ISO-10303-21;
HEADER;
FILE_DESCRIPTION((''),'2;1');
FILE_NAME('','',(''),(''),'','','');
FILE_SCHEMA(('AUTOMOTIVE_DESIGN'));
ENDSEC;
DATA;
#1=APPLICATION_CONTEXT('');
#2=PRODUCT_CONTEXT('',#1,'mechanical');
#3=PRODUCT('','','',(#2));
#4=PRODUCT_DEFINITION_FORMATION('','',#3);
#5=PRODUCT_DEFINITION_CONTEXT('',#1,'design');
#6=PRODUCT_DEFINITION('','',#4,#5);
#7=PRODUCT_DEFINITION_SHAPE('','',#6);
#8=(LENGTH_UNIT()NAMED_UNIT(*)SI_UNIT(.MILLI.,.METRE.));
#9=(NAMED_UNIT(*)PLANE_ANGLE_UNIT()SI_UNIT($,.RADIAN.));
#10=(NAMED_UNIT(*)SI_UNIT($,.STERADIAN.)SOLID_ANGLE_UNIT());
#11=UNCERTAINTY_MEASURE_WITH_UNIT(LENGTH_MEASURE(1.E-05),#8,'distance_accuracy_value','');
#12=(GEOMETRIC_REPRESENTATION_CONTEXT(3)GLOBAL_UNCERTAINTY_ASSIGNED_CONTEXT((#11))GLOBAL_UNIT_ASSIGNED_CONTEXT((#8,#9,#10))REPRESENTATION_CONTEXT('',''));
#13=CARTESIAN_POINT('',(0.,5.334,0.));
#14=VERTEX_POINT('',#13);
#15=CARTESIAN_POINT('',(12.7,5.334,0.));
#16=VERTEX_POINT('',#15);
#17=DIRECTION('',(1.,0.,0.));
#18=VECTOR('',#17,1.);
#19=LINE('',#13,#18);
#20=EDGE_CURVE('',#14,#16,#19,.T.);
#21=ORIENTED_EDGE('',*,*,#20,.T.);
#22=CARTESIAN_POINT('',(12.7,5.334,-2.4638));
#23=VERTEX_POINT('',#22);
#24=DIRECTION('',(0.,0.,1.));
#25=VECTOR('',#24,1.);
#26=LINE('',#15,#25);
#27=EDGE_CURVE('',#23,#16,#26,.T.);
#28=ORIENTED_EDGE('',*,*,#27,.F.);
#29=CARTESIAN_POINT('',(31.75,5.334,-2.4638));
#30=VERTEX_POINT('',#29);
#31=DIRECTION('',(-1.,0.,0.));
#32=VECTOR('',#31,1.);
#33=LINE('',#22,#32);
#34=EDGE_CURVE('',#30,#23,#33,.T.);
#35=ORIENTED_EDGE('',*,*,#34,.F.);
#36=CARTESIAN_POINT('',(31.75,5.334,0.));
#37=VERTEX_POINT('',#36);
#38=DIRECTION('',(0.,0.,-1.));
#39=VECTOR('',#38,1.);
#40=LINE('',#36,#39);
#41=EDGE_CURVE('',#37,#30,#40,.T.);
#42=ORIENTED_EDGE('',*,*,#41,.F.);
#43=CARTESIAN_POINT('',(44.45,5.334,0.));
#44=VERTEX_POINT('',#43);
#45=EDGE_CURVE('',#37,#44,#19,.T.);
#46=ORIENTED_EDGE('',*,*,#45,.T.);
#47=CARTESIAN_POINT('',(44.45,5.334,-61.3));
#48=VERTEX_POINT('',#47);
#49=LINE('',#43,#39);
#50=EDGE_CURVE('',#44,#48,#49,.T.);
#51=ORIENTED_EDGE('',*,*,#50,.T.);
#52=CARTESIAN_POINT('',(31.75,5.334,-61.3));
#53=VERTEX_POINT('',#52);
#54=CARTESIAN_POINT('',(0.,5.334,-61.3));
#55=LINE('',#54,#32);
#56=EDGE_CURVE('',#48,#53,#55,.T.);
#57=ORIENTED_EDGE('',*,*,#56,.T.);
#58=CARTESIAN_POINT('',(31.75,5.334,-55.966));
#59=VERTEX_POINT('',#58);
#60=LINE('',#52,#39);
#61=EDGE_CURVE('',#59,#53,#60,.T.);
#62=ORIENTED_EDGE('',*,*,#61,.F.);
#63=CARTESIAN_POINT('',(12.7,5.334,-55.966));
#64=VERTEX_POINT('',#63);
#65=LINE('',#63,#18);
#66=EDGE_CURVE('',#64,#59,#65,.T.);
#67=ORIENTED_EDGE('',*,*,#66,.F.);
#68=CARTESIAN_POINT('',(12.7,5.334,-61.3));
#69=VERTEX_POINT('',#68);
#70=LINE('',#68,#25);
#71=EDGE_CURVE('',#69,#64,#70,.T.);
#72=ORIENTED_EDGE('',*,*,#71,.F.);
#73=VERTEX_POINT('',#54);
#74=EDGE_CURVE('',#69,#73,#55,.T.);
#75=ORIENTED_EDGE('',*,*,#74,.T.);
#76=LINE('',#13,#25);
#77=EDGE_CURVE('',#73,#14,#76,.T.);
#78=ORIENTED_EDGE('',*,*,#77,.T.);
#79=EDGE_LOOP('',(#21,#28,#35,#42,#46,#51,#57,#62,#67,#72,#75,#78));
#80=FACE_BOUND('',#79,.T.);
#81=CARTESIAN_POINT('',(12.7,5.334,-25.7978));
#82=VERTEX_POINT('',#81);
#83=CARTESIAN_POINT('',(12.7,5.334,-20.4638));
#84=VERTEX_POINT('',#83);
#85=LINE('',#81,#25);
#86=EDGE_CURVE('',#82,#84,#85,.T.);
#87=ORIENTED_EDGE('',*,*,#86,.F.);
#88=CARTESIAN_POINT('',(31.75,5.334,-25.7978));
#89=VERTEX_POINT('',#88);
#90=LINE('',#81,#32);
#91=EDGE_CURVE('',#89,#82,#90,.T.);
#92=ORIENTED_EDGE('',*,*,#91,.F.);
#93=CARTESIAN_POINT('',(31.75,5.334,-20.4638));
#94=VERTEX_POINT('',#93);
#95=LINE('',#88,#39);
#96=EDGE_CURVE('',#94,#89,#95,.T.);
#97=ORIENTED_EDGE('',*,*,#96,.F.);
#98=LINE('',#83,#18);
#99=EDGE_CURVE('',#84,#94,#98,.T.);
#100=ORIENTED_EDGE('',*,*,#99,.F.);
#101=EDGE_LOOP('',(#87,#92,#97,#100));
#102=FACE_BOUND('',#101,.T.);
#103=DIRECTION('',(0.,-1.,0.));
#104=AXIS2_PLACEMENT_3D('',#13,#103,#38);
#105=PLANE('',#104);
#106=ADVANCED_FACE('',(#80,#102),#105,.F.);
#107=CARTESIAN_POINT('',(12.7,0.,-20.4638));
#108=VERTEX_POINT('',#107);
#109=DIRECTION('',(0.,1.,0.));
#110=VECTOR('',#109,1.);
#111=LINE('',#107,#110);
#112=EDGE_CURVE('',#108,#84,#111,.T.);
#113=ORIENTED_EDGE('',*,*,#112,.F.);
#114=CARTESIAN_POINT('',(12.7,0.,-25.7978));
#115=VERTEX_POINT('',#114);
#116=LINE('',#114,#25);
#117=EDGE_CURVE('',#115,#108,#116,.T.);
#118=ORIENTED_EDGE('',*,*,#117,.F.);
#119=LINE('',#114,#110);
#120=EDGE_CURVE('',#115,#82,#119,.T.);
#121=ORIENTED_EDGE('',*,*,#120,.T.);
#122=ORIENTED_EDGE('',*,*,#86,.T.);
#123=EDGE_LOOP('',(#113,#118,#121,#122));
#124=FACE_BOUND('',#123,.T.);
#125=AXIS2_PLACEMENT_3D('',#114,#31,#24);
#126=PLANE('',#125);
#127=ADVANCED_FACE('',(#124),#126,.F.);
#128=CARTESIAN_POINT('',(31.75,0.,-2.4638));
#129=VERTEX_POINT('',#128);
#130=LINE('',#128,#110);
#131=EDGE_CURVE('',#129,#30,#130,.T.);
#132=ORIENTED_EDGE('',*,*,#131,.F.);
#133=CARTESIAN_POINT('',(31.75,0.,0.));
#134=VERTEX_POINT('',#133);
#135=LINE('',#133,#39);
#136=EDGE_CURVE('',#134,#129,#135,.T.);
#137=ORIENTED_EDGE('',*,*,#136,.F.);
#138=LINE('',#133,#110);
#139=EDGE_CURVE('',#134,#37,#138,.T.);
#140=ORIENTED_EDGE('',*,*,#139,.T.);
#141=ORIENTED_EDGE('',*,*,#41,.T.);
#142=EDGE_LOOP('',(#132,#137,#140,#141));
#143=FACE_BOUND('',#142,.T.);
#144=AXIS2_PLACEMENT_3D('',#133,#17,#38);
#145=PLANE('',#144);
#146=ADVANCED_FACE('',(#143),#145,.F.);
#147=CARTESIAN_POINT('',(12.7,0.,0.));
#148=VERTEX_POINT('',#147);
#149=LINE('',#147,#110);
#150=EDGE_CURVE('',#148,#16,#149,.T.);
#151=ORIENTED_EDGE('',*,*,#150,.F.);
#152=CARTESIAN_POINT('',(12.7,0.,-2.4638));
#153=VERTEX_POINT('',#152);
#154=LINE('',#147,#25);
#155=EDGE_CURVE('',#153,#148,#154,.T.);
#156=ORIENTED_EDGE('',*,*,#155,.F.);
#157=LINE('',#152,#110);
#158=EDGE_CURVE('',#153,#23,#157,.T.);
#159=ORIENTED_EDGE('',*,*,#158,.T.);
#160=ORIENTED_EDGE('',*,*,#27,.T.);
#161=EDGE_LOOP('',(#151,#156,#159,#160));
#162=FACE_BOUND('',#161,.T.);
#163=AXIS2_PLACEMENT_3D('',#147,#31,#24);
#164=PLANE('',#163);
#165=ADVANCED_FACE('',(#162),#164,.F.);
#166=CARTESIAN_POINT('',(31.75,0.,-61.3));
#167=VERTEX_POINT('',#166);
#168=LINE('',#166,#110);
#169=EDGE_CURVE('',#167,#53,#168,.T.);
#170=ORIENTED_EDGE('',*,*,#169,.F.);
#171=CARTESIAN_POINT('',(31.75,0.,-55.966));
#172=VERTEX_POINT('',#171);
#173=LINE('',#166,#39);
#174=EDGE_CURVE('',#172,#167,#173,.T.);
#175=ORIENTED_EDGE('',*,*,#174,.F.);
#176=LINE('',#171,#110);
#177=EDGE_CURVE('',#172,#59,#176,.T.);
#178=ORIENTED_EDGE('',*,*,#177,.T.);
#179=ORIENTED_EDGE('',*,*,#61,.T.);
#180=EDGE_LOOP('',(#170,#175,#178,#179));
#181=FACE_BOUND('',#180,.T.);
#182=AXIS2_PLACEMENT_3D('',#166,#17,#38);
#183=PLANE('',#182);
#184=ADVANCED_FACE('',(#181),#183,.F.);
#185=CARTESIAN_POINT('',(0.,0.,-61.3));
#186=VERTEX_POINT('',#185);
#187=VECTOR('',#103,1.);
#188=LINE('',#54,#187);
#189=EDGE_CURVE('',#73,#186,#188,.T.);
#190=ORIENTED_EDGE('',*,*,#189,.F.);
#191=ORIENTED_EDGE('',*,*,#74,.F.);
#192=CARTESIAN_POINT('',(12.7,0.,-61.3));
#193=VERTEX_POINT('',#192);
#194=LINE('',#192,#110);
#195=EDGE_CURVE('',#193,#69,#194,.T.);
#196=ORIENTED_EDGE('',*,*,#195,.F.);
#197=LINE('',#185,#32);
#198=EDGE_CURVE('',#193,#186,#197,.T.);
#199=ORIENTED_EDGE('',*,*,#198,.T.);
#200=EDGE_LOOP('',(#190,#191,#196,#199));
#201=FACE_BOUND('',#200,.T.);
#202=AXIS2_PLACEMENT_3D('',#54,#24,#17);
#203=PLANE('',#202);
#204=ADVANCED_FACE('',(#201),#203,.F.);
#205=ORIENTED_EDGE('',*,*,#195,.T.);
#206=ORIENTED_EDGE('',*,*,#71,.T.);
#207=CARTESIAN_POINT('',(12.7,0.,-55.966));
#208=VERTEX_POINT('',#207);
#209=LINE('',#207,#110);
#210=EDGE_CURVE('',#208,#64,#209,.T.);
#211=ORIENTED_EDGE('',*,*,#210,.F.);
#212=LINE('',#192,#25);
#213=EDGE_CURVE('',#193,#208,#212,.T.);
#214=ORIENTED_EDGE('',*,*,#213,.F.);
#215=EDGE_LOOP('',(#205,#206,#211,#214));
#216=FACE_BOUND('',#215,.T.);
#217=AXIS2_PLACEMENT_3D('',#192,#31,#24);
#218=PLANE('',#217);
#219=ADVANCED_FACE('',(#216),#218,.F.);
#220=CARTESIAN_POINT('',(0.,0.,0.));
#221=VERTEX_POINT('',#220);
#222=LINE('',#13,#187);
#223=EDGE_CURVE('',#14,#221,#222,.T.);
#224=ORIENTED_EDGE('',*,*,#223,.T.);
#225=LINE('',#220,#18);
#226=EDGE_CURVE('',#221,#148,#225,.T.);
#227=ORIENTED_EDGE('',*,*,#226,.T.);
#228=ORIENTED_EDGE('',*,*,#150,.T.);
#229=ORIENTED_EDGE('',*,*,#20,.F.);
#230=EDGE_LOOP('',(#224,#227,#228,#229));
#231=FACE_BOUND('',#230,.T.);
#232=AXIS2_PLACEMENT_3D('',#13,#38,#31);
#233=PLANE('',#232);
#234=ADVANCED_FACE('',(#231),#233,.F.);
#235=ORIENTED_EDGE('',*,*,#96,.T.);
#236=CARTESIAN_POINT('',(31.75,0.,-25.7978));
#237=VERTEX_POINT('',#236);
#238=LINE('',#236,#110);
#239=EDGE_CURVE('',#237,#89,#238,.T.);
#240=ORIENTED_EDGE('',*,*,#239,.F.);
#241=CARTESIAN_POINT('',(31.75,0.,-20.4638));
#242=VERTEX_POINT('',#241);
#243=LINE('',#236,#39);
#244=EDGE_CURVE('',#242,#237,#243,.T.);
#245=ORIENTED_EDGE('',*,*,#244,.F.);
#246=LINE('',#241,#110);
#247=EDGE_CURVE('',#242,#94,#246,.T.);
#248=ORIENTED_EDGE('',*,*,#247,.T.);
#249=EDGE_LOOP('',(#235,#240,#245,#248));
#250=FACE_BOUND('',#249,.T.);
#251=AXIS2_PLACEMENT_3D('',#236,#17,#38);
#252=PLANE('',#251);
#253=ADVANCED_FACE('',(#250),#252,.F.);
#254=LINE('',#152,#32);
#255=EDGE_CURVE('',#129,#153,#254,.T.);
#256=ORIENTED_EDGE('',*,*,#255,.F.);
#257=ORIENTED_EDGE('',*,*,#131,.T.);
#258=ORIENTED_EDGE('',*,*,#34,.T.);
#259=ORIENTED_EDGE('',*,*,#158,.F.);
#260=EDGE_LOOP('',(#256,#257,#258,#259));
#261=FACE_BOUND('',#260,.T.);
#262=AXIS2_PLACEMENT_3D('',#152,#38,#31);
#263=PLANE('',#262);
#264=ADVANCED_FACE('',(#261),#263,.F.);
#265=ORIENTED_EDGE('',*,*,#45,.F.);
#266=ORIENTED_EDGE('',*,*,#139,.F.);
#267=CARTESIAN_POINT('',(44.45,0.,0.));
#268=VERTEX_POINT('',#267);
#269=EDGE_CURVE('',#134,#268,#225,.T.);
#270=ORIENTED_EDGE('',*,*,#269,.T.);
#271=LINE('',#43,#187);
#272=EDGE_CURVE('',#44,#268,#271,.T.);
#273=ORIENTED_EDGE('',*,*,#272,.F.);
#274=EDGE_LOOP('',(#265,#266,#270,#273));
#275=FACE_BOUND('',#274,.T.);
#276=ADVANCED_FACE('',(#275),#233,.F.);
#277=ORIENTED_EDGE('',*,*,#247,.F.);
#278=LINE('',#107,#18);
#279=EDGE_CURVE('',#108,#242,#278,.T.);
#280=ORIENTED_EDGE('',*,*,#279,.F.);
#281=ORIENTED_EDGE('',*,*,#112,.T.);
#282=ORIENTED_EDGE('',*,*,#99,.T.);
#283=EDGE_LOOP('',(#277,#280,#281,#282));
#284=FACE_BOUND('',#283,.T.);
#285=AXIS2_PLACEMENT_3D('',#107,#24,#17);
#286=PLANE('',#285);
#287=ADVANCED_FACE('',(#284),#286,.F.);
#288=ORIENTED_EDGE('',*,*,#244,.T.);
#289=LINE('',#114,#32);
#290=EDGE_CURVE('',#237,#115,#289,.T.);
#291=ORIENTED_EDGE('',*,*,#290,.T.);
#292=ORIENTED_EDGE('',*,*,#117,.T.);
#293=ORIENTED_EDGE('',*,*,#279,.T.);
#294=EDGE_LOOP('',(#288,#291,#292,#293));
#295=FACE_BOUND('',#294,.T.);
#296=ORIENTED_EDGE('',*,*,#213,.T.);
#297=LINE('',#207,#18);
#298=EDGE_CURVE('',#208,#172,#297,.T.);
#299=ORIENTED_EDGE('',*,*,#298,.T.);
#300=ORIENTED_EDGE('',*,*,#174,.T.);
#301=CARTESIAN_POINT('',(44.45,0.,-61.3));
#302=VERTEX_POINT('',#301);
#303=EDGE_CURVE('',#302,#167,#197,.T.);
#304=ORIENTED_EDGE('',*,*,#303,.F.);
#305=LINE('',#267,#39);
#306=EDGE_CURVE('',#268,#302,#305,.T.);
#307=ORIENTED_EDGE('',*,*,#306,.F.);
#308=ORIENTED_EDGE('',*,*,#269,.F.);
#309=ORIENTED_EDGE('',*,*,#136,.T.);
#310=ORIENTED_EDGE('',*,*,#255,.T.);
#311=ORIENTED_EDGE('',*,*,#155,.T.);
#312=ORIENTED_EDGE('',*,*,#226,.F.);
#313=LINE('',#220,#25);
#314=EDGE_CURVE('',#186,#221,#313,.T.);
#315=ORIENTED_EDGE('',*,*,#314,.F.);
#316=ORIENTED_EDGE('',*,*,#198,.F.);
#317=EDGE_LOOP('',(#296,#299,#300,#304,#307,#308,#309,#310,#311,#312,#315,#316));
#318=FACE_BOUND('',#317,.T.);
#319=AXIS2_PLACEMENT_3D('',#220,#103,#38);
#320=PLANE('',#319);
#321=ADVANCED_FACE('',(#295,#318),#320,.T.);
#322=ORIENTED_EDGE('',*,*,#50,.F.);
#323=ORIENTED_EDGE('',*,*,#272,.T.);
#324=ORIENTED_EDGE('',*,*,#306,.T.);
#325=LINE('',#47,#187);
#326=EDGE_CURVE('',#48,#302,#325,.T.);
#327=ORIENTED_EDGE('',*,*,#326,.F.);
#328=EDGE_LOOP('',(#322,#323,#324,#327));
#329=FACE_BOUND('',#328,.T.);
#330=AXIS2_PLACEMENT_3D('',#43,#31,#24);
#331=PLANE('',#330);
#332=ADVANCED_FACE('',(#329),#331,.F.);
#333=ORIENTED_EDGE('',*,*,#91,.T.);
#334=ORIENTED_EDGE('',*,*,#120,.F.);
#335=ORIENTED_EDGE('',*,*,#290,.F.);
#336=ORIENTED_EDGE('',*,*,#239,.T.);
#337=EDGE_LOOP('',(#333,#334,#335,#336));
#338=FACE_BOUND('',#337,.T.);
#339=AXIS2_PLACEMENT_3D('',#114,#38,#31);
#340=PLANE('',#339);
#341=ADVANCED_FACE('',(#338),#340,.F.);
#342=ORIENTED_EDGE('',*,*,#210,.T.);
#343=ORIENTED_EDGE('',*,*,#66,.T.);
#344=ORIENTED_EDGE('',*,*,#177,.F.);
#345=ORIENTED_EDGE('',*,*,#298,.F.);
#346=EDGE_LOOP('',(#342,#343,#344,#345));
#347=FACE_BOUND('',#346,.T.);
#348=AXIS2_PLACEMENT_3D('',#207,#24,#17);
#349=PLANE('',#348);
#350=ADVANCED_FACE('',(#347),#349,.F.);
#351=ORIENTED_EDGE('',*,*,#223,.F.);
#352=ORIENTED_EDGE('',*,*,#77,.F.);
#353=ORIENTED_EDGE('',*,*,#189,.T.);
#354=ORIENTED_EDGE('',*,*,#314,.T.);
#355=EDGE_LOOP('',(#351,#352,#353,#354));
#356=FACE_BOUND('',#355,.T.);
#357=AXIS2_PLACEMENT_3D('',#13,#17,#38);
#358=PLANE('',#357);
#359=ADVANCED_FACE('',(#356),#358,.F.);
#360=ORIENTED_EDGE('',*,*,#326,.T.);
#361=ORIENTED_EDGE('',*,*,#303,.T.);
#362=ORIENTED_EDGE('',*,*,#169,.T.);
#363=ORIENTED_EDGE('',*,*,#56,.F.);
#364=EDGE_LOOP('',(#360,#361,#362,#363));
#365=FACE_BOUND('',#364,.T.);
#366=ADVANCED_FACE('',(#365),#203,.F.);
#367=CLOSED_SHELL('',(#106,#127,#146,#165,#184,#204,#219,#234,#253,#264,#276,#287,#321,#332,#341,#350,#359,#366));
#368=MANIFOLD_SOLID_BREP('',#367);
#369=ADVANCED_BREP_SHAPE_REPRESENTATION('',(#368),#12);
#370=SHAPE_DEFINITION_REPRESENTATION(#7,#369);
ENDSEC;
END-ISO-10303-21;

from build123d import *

# Parameters (mm, degrees)
SKETCH1_W           = 44.45
SKETCH1_H           = 61.300000082
BOSS_EXTRUDE1_DEPTH = 5.334
SKETCH2_W           = 19.05
SKETCH2_H           = 2.4638
SKETCH2_H_2         = 5.334
CUT_EXTRUDE1_DEPTH  = 76.907470423


with BuildPart() as part:
    # Sketch1 → Boss-Extrude1 (new body)
    with BuildSketch(Plane(origin=(0, 0, 0), x_dir=(1, 0, 0), z_dir=(0, 1, 0))):
        with Locations((22.225, 30.650000041)):
            Rectangle(SKETCH1_W, SKETCH1_H)
    extrude(amount=BOSS_EXTRUDE1_DEPTH)

    # Sketch2 → Cut-Extrude1 (cut, through all)
    with BuildSketch(Plane(origin=(0, 5.334, 0), x_dir=(1, 0, 0), z_dir=(0, 1, 0))):
        with Locations((22.225, 1.2319)):
            Rectangle(SKETCH2_W, SKETCH2_H)
        with Locations((22.225, 23.1308)):
            Rectangle(SKETCH2_W, SKETCH2_H_2)
        with Locations((22.225, 58.633000082)):
            Rectangle(SKETCH2_W, SKETCH2_H_2)
    extrude(amount=-CUT_EXTRUDE1_DEPTH, mode=Mode.SUBTRACT)


solid = part.part
